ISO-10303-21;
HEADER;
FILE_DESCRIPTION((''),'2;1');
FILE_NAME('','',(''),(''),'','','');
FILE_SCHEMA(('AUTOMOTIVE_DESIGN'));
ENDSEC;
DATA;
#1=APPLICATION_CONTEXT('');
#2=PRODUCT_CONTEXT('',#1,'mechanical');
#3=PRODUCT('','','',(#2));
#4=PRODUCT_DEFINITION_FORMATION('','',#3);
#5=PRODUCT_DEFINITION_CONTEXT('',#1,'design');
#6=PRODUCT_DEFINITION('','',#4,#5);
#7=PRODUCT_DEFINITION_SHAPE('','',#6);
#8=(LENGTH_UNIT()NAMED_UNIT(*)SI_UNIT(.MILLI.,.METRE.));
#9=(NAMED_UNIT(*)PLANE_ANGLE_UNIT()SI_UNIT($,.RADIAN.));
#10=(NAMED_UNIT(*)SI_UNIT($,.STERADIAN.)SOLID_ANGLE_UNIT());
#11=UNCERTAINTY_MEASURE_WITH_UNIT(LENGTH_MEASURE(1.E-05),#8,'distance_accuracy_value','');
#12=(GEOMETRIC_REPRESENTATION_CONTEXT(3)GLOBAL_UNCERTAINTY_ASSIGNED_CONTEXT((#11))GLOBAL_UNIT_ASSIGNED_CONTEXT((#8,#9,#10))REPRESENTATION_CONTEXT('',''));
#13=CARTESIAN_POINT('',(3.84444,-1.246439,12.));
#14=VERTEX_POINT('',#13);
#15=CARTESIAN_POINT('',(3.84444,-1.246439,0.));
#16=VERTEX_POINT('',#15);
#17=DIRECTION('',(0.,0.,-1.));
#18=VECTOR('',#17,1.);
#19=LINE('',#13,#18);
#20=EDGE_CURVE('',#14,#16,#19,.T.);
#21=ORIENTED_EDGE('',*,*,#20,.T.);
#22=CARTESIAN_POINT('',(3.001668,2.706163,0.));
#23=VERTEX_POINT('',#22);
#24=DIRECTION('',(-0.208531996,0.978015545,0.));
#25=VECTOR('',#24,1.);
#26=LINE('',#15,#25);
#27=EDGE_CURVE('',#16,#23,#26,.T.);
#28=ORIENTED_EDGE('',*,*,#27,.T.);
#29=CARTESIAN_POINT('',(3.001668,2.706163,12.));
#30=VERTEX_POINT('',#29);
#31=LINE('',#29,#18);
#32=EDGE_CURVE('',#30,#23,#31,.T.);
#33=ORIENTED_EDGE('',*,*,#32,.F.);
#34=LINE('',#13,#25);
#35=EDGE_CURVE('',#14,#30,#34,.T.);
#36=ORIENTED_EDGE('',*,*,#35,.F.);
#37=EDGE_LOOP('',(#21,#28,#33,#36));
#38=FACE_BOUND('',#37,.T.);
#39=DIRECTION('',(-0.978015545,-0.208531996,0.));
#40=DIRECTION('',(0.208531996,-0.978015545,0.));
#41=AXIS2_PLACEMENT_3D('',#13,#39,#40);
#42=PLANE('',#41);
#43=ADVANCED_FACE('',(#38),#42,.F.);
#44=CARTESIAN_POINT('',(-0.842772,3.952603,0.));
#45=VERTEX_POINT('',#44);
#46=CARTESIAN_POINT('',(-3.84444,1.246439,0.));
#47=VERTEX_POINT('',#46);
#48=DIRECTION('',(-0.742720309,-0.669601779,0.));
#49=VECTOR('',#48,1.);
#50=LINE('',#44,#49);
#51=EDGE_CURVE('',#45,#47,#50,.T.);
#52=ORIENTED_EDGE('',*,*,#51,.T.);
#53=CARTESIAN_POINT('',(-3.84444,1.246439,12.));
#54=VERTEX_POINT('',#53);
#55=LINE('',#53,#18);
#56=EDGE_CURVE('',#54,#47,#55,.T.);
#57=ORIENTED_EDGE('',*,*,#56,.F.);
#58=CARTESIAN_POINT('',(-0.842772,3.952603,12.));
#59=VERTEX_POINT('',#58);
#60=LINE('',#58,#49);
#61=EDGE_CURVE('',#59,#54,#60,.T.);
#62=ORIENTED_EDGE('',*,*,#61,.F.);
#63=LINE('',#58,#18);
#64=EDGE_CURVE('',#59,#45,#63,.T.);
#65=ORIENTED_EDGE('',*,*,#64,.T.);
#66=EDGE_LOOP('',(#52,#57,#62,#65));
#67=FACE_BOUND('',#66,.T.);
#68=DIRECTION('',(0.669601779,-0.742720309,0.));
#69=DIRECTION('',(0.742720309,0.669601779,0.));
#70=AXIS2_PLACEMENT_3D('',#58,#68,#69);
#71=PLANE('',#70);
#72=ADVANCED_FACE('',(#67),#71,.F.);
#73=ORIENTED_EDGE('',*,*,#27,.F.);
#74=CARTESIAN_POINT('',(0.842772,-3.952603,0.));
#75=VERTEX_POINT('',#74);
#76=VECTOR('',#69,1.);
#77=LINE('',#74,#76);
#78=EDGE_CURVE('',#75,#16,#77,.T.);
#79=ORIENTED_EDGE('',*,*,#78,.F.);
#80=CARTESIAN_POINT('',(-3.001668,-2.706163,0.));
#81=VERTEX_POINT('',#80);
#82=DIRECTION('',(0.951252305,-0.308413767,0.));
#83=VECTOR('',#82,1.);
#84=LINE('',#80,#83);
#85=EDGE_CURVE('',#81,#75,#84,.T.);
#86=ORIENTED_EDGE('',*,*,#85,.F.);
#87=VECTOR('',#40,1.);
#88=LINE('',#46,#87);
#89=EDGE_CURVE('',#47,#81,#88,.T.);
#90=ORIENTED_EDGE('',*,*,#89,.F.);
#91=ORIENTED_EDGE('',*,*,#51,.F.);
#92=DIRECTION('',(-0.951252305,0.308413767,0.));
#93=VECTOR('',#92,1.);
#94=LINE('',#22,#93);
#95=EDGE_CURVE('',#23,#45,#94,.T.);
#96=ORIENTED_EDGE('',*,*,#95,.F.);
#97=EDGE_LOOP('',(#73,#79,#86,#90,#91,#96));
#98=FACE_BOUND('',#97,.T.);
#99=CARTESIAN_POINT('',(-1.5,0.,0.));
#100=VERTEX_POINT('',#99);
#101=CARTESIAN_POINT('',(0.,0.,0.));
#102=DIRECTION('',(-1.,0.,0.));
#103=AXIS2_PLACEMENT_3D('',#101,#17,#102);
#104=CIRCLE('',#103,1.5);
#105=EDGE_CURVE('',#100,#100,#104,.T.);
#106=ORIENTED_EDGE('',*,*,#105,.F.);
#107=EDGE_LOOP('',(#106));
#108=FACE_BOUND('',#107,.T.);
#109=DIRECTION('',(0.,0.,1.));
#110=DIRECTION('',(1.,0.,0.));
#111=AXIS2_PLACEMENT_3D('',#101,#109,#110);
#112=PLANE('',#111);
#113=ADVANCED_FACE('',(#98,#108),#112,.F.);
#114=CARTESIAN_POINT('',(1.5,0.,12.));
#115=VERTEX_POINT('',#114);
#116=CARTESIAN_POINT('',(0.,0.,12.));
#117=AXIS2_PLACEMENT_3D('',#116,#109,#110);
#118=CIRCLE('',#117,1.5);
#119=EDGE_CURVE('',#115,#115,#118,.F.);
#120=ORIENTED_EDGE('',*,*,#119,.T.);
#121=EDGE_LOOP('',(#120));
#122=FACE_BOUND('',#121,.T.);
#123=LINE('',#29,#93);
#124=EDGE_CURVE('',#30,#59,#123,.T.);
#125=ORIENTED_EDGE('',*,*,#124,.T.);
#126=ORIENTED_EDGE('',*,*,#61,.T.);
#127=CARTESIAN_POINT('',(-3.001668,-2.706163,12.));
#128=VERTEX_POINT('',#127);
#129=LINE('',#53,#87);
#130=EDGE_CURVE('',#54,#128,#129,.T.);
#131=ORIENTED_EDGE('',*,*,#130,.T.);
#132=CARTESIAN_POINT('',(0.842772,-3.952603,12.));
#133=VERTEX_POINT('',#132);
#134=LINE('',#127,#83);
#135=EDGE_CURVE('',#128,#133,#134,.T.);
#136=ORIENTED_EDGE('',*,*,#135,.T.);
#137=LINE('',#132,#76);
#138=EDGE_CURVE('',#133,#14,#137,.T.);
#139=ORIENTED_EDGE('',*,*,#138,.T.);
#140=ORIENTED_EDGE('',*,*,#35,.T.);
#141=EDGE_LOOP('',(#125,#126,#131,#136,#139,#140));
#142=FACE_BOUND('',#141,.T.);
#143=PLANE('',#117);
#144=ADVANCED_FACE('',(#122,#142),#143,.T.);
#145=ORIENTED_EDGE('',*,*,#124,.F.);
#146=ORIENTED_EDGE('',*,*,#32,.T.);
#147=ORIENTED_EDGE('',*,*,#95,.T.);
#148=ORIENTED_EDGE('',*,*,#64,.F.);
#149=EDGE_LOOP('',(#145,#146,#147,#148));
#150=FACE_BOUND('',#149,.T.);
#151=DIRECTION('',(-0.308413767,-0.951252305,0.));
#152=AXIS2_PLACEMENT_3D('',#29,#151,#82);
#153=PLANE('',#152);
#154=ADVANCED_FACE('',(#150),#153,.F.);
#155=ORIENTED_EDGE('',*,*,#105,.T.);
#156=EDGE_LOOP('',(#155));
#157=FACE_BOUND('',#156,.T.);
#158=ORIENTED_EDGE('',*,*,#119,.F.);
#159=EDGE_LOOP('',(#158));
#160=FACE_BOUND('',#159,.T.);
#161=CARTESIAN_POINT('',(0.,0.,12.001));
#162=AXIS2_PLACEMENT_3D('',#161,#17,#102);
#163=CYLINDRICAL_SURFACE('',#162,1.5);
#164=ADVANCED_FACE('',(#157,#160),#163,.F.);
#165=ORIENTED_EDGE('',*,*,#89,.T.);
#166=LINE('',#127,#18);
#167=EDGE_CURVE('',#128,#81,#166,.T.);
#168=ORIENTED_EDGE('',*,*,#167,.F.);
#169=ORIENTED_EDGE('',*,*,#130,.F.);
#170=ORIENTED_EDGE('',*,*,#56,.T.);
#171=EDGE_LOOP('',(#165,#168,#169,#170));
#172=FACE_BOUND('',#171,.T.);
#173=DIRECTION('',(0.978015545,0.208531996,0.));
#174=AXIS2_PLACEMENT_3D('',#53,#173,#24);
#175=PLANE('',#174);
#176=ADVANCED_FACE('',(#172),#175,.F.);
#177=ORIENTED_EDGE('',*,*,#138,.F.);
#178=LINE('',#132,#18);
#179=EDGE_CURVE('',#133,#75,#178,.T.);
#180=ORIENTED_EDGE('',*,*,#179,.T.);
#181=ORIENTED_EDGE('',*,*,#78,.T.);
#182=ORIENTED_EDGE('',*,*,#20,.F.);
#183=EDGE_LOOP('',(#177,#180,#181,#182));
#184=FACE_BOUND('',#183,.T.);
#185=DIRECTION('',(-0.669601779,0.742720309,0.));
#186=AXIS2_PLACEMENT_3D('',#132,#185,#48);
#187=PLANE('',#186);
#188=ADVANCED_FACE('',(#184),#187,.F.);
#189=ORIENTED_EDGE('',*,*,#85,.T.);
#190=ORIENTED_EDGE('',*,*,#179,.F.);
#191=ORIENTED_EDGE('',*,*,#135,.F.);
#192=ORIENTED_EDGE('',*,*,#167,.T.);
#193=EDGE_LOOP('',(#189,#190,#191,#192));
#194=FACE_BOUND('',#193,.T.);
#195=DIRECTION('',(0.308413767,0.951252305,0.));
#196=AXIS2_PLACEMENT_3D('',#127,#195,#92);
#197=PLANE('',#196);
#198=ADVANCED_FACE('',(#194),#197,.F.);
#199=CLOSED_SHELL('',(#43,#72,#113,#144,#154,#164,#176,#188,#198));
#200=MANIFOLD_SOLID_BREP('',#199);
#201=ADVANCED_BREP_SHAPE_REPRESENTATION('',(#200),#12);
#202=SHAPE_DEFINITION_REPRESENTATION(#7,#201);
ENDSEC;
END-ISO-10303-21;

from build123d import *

# Parameters (mm, degrees)
RESSALTO_EXTRUS_O1_DEPTH = 12
CORTE_EXTRUS_O2_REACH    = 15.206
ESBO_O3_R                = 1.5


with BuildPart() as part:
    # Esboço1 → Ressalto-extrusão1 (new body)
    with BuildSketch(Plane.XY):
        Polygon((-0.842772028, 3.952602768), (-3.844440422, 1.246439398), (-3.001668394, -2.70616337), (0.842772028, -3.952602768), (3.844440422, -1.246439398), (3.001668394, 2.70616337), align=None)
    extrude(amount=RESSALTO_EXTRUS_O1_DEPTH)

    # Esboço3 → Corte-extrusão2 (cut, up to next)
    with BuildSketch(Plane(origin=(0, 0, 0), x_dir=(-1, 0, 0), z_dir=(0, 0, -1)), mode=Mode.PRIVATE) as corte_extrus_o2_sk1:
        Circle(ESBO_O3_R)
    corte_extrus_o2_tool1 = extrude(corte_extrus_o2_sk1.sketch, amount=-CORTE_EXTRUS_O2_REACH, mode=Mode.PRIVATE) & part.part
    add(corte_extrus_o2_tool1.solids().sort_by_distance((0, 0, 0))[0], mode=Mode.SUBTRACT)


solid = part.part
